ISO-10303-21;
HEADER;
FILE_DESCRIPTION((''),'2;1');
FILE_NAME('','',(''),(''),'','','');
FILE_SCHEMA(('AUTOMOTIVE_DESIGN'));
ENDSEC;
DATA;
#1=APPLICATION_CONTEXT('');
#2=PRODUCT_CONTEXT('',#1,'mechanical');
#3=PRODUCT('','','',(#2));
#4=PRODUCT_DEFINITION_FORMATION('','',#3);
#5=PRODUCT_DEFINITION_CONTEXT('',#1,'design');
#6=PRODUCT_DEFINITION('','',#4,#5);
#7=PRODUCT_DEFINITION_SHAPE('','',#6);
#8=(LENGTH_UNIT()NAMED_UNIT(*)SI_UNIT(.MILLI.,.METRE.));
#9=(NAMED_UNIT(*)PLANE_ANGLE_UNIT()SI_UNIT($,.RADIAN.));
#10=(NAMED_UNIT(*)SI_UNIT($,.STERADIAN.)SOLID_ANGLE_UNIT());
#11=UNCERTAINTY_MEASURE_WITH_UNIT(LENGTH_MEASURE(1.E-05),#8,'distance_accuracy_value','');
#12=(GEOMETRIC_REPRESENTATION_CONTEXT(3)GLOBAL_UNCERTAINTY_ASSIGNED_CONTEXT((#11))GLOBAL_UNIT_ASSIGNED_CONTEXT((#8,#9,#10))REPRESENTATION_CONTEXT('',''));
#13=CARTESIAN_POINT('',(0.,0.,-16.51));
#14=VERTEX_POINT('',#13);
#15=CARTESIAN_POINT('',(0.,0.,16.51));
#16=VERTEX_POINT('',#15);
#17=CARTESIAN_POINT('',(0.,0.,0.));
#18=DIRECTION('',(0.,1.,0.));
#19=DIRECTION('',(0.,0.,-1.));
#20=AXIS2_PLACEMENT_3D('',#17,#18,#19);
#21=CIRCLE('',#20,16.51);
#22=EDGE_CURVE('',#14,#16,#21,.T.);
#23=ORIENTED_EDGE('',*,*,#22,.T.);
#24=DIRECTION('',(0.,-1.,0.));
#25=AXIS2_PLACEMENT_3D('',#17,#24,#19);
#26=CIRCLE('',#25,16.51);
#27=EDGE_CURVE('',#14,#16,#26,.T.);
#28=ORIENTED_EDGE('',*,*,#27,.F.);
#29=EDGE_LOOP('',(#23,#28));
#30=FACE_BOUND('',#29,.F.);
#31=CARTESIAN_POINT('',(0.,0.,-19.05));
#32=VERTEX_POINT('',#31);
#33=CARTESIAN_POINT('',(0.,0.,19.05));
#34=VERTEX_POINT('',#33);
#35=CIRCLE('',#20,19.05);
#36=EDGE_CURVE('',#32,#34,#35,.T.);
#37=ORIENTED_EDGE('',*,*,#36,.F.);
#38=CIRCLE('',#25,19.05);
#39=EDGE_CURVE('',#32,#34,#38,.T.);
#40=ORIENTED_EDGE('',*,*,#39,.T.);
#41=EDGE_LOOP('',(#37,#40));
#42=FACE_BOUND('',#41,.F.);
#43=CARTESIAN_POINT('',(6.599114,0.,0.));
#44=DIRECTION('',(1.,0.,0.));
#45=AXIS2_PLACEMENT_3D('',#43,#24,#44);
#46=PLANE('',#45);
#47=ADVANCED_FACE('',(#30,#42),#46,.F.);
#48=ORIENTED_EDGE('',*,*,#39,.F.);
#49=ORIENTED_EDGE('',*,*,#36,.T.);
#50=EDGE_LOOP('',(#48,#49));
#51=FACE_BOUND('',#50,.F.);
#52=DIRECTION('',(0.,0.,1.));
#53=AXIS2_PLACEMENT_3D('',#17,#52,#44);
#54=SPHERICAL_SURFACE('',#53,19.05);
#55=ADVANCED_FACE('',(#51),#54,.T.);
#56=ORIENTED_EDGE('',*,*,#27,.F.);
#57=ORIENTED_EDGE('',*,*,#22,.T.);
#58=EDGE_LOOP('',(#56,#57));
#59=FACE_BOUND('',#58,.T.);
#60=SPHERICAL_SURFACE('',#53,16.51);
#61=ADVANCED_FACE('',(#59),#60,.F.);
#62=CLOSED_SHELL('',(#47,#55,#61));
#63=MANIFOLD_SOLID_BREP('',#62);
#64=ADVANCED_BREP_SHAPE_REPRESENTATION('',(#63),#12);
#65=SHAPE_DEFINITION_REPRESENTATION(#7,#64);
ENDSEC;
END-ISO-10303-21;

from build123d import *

# Parameters (mm, degrees)
F1_ANGLE = -180
F2_T     = -2.54


with BuildPart() as f1:
    # F0 (on Front) → F1 (revolve)
    with BuildSketch(Plane.XZ):
        with BuildLine():
            Line((0, 0), (0, -19.05))
            ThreePointArc((0, -19.05), (19.05, 0), (0, 19.05))
            Line((0, 19.05), (0, 0))
        make_face()
    revolve(axis=Axis((0, 0, 30.36524), (0, 0, 1)), revolution_arc=F1_ANGLE)

    # F2
    f2_openings = [f1.faces().sort_by_distance(p)[0] for p in [
        (0, 0, 0),
    ]]
    offset(amount=F2_T, openings=f2_openings)


solid = f1.part
